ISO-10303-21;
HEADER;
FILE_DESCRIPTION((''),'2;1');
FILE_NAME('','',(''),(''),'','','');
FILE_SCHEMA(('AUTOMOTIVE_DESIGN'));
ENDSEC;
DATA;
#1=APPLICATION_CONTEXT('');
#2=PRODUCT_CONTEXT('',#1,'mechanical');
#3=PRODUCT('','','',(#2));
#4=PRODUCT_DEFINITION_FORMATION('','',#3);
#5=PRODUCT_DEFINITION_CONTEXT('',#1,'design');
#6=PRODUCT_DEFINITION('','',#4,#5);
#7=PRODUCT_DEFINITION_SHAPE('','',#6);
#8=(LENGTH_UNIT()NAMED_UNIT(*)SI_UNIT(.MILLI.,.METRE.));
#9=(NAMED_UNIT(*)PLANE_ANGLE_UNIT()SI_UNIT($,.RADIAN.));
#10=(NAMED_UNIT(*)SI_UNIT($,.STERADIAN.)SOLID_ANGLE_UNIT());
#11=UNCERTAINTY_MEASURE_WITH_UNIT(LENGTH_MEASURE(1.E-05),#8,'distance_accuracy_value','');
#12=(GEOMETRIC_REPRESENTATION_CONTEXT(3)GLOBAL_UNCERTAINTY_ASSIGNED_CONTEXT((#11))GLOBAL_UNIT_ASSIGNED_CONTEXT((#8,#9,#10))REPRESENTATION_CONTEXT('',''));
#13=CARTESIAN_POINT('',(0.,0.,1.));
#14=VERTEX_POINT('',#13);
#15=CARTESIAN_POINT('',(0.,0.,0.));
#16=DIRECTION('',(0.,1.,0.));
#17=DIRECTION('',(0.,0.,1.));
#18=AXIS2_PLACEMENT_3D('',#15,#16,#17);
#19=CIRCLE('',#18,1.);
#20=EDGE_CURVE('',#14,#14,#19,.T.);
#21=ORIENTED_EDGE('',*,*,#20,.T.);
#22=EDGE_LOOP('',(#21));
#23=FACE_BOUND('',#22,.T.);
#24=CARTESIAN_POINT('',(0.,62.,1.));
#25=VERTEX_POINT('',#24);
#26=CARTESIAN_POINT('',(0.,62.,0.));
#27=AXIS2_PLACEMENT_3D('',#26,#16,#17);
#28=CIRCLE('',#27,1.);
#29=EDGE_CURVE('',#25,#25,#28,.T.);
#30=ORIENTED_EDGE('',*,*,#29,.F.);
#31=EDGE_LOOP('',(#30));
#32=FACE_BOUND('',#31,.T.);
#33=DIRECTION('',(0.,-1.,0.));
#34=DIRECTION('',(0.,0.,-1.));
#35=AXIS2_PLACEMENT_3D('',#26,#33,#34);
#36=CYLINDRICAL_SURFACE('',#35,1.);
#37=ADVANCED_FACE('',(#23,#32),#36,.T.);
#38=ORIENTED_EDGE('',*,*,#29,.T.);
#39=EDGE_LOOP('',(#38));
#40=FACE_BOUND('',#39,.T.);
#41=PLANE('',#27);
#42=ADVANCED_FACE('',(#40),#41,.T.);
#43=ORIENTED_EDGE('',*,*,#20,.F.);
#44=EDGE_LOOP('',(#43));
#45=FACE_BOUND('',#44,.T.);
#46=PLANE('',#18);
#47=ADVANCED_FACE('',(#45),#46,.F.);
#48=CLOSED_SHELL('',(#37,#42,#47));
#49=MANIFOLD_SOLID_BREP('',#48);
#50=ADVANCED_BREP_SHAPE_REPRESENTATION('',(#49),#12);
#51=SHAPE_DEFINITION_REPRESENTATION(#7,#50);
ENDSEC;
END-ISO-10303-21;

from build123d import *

# Parameters (mm, degrees)
SKETCH_1_R      = 1
EXTRUDE_1_DEPTH = 62


with BuildPart() as part:
    # 草图1 → 凸台-拉伸1 (new body)
    with BuildSketch(Plane(origin=(0, 0, 0), x_dir=(1, 0, 0), z_dir=(0, 1, 0))):
        with Locations(Location((0, 0, 0), (0, 0, 270))):
            Circle(SKETCH_1_R)
    extrude(amount=EXTRUDE_1_DEPTH)


solid = part.part
